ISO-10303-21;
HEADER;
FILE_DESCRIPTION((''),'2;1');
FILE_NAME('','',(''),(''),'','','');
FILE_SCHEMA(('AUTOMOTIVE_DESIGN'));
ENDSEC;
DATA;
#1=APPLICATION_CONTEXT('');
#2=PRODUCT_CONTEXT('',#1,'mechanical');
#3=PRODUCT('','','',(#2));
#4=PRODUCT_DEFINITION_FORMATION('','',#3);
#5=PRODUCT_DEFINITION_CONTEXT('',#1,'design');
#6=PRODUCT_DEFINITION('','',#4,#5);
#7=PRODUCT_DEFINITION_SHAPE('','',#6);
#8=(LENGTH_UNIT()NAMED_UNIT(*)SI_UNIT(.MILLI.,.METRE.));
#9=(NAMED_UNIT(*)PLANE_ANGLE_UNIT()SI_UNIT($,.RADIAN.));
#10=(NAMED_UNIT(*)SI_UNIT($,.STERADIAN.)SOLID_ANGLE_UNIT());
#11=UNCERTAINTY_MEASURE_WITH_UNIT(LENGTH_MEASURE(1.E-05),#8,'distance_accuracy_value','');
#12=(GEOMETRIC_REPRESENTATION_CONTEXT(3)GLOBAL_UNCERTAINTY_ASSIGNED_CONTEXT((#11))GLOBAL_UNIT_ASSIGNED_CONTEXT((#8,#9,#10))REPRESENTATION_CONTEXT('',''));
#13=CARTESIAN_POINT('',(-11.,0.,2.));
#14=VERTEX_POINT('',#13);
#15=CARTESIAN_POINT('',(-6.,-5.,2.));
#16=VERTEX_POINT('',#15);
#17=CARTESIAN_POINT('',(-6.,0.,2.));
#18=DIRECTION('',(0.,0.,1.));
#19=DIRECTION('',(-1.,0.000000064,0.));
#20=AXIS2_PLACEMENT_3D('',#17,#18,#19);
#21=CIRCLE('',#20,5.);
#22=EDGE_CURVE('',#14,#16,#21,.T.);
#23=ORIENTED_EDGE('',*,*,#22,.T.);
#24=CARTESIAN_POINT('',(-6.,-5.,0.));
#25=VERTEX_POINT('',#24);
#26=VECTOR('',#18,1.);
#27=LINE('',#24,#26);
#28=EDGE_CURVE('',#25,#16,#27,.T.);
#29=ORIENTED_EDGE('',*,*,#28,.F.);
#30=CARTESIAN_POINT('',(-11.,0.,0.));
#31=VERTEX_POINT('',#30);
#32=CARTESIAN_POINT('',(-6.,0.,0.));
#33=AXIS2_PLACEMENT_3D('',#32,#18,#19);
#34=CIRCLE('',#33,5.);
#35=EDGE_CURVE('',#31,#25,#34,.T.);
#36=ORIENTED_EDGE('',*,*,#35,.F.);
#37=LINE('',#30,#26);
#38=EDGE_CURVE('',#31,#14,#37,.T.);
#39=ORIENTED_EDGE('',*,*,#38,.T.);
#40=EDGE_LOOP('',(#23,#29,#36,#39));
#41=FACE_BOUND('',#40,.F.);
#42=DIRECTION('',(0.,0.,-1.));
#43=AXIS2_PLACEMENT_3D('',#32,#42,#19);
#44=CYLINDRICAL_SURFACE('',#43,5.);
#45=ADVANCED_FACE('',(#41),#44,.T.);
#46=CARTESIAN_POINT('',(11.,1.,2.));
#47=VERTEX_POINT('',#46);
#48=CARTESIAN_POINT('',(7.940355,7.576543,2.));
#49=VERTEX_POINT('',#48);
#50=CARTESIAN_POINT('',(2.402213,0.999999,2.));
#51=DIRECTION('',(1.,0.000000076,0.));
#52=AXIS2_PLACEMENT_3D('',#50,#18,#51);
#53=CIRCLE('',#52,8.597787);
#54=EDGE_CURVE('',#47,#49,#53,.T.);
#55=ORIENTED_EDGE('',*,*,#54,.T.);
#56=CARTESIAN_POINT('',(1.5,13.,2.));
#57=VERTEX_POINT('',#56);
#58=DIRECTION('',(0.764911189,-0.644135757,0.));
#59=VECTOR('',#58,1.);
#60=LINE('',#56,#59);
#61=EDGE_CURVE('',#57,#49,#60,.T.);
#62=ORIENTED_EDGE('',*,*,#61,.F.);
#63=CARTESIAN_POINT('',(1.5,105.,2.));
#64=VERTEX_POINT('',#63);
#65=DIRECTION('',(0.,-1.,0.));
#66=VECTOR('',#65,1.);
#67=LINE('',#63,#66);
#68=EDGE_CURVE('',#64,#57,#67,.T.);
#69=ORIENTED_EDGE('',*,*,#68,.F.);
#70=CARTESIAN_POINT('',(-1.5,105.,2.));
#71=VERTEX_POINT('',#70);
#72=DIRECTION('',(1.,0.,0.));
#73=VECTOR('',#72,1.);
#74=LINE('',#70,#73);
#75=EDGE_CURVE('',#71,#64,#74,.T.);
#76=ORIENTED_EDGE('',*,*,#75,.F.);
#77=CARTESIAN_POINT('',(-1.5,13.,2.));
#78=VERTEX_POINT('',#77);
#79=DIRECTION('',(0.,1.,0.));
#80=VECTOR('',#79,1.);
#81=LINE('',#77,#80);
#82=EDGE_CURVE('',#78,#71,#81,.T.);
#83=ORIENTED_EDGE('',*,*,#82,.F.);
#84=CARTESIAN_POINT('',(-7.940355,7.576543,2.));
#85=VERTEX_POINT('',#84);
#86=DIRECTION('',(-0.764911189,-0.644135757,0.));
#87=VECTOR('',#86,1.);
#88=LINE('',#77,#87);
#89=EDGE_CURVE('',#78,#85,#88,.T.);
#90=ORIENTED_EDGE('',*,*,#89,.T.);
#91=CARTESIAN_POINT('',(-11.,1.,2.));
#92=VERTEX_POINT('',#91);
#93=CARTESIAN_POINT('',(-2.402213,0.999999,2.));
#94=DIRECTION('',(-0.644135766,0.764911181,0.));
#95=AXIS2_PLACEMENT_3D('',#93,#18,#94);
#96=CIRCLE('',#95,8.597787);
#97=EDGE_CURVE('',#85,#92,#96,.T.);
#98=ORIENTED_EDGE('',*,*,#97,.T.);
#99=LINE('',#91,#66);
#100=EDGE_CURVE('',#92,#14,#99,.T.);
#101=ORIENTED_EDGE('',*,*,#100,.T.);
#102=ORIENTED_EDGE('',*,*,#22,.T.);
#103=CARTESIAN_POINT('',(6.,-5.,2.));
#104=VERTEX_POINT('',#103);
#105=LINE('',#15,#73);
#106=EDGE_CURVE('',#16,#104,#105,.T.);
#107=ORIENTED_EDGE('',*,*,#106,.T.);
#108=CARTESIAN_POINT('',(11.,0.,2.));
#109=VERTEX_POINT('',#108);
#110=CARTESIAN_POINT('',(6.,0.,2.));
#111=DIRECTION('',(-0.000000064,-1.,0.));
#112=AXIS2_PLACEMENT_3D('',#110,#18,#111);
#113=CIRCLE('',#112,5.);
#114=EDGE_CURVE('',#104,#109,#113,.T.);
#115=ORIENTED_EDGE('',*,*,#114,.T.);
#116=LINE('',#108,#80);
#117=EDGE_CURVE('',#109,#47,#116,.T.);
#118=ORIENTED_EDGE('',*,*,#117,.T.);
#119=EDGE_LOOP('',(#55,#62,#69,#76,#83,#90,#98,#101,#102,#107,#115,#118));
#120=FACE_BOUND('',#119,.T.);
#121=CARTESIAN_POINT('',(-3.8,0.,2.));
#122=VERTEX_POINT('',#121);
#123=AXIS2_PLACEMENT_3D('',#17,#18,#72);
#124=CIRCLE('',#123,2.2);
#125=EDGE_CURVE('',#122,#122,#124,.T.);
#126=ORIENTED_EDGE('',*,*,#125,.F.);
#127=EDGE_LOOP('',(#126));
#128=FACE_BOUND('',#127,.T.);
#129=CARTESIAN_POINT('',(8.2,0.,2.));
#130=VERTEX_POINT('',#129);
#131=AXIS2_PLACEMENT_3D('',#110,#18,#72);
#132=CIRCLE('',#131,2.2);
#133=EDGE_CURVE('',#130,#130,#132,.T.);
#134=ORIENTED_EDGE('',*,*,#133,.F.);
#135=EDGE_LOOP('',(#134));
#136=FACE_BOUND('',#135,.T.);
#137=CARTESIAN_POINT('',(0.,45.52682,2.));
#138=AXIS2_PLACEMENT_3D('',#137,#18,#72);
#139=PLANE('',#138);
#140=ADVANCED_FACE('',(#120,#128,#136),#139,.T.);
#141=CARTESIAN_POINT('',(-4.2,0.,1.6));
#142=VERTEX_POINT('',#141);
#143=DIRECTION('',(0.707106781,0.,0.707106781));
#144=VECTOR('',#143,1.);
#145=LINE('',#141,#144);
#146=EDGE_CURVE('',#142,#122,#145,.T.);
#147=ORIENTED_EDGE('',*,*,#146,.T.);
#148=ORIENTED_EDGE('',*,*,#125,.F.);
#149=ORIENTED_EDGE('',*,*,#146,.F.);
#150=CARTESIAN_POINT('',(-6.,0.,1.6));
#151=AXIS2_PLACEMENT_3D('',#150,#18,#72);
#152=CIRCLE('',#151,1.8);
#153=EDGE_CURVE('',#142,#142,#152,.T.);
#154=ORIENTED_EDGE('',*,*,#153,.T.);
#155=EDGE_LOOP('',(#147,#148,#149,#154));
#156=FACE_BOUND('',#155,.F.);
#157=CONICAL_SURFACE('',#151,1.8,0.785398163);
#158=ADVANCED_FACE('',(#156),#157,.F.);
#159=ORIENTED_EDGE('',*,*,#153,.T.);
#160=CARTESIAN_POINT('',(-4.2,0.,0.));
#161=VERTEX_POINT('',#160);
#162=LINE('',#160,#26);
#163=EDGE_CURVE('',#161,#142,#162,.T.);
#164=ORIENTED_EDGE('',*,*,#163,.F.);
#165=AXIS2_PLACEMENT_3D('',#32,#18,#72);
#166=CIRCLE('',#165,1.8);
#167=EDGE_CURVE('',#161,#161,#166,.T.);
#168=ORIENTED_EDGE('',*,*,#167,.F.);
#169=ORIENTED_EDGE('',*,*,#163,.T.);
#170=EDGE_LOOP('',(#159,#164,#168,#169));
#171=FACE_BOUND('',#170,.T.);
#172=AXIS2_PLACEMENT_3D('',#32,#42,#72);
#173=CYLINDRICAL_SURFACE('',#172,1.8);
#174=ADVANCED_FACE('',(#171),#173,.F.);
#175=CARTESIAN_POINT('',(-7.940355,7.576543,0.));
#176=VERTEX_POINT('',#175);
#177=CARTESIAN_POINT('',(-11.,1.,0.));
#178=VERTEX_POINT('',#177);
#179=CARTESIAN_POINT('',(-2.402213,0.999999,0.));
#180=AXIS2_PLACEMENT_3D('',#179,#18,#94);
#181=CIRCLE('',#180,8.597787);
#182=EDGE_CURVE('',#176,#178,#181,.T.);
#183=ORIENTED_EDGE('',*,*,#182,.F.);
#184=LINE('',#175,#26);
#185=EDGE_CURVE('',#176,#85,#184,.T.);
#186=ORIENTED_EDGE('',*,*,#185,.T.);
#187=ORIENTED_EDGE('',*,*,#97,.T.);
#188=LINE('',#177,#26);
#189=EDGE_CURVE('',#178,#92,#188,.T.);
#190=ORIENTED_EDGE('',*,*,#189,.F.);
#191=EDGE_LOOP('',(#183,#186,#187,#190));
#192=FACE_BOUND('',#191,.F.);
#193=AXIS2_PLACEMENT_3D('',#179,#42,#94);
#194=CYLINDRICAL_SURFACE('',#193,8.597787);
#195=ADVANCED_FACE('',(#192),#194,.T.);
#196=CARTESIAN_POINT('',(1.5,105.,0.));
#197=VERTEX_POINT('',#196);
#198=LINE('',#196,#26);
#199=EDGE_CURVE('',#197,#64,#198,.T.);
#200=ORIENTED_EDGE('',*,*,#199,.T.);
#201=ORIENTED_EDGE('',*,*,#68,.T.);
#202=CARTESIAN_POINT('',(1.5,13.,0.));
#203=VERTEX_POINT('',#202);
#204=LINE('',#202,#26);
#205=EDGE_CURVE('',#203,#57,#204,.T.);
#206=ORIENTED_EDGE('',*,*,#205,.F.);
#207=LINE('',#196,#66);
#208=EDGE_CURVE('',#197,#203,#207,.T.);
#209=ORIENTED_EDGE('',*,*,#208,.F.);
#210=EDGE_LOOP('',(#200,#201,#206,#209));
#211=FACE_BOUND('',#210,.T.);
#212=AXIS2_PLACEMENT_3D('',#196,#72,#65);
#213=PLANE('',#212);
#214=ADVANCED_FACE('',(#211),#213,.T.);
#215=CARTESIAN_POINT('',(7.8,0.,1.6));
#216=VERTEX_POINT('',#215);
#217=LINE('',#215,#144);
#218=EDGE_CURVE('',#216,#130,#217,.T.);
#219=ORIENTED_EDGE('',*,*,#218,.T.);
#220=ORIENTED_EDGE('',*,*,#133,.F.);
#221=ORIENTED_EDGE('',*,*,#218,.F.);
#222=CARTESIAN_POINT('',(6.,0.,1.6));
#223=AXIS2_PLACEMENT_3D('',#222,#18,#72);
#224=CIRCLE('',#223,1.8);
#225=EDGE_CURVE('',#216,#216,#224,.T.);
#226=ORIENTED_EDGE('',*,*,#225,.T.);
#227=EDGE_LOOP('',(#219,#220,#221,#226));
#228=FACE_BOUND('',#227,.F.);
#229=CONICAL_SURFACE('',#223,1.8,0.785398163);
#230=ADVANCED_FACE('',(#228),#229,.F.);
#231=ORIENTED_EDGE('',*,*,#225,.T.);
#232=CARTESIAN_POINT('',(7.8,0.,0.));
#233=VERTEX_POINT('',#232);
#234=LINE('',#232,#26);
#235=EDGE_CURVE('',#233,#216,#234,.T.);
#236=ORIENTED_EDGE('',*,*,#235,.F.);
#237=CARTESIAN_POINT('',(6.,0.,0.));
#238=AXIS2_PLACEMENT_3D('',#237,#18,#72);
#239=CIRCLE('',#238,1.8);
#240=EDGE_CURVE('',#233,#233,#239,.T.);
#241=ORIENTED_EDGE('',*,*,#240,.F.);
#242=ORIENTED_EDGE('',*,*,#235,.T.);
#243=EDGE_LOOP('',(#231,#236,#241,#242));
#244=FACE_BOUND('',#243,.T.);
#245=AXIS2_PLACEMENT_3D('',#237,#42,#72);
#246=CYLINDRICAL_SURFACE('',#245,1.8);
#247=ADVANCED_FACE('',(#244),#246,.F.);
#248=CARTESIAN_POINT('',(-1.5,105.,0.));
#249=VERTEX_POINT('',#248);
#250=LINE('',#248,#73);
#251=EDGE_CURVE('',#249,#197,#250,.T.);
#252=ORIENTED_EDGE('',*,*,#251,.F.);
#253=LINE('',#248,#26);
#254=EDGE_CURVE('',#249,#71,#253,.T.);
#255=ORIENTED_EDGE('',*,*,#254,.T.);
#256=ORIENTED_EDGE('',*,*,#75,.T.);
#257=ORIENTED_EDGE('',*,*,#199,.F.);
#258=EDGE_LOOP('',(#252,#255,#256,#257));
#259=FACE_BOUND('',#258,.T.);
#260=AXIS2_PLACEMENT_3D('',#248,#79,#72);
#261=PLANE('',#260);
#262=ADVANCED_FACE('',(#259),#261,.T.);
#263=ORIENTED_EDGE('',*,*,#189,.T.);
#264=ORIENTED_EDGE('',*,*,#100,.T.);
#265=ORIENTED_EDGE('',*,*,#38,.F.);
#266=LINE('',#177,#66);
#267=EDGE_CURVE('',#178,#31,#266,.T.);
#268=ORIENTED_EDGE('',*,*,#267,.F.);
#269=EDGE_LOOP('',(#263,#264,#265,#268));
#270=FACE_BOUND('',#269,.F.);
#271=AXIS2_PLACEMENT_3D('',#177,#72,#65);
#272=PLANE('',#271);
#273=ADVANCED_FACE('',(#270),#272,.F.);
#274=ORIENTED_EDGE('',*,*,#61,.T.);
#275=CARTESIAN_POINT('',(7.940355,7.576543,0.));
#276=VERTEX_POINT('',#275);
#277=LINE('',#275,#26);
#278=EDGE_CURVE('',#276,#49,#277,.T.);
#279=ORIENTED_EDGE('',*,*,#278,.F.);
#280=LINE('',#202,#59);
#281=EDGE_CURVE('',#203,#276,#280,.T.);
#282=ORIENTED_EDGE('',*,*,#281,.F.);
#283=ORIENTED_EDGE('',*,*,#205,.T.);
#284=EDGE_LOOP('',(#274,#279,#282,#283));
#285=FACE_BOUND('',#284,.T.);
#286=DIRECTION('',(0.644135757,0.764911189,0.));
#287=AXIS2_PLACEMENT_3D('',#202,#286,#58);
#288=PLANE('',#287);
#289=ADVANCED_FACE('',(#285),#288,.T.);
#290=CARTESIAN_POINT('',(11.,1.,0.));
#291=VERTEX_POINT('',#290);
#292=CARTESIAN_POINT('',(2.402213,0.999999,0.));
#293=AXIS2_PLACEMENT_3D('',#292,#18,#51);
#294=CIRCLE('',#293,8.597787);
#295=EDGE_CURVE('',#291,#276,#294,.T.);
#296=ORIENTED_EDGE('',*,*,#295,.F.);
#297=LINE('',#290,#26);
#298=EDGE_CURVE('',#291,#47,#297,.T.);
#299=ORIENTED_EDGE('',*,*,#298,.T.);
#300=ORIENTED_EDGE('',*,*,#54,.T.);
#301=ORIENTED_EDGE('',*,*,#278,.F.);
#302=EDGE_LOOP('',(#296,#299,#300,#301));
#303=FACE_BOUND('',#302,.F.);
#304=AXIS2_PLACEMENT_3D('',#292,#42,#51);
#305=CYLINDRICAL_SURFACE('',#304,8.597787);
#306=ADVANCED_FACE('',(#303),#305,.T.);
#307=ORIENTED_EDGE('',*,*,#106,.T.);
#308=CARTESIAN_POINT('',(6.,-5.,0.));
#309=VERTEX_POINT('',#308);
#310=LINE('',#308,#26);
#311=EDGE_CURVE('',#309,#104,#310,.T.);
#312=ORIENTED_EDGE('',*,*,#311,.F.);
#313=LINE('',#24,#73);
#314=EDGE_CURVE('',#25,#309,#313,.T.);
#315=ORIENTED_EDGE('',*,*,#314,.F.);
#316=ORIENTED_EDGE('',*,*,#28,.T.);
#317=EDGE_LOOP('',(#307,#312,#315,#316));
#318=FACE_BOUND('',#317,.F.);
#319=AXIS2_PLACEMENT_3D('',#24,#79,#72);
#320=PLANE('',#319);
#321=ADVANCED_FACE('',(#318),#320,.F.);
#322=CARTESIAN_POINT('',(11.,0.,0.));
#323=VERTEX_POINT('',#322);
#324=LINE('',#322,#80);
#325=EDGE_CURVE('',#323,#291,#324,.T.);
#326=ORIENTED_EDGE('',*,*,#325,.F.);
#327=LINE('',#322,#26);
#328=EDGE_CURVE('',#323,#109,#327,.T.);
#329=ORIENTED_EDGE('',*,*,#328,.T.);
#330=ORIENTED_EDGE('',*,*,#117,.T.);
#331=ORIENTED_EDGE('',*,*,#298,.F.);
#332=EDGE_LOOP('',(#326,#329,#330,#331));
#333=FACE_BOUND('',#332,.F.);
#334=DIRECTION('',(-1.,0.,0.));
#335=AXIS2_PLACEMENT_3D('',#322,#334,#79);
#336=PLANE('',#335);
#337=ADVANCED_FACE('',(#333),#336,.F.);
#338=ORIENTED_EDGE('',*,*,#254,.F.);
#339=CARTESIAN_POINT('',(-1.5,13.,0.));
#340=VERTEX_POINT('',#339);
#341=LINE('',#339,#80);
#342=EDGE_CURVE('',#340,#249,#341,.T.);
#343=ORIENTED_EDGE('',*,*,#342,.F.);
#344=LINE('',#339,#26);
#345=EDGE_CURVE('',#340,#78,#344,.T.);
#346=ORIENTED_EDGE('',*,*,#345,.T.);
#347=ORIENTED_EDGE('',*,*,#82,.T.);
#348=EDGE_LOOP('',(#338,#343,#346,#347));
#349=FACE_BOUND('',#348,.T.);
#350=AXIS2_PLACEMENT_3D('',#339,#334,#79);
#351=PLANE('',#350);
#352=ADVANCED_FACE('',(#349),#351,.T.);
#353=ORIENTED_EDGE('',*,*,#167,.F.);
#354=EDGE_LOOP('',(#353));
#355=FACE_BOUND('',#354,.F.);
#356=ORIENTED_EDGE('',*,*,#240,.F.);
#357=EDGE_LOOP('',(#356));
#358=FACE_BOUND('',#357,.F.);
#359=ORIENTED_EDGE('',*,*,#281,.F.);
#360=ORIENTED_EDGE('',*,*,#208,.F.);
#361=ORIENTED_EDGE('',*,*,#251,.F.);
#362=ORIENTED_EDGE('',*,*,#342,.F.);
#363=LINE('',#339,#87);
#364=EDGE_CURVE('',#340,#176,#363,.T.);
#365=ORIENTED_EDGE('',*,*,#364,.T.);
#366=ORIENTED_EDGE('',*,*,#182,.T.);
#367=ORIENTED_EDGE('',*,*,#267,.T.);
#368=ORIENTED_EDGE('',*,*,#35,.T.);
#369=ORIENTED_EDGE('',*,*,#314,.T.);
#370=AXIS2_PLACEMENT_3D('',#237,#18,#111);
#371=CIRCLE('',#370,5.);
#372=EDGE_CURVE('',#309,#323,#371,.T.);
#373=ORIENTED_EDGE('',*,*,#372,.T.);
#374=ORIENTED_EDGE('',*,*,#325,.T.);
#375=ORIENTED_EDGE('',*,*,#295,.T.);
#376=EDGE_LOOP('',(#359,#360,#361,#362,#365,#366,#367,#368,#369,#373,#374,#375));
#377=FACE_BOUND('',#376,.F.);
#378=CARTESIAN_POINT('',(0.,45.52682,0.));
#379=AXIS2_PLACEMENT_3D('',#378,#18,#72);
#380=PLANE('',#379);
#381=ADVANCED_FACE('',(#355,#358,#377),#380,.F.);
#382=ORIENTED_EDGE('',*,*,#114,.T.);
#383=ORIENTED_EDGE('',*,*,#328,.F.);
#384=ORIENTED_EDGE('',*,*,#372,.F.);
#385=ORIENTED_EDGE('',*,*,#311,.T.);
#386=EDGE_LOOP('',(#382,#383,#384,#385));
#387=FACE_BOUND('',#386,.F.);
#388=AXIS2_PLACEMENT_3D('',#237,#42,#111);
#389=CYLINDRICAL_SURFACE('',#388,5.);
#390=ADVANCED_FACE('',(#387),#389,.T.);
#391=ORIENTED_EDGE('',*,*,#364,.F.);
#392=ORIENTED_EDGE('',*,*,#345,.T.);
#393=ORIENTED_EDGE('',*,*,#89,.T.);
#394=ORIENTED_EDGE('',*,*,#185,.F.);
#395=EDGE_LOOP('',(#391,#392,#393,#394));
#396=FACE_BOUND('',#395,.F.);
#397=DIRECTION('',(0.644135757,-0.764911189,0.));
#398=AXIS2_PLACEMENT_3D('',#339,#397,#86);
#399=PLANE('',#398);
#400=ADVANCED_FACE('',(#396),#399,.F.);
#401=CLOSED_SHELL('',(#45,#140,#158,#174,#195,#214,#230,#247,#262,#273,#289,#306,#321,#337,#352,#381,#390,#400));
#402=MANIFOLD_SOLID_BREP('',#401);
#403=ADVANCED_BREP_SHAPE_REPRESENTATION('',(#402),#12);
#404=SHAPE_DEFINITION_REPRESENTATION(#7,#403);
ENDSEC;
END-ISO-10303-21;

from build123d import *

# Parameters (mm, degrees)
SKETCH_R     = 1.8
PAD_DEPTH    = 2
CHAMFER_SIZE = 0.4


with BuildPart() as part:
    # Sketch → Pad (new body)
    with BuildSketch(Plane.XY):
        with BuildLine():
            Line((11, 0), (11, 1))
            ThreePointArc((11, 1), (10.197651, 4.626718), (7.940355, 7.576543))
            Line((1.5, 13), (7.940355, 7.576543))
            Line((1.5, 105), (1.5, 13))
            Line((-1.5, 105), (1.5, 105))
            Line((-1.5, 13), (-1.5, 105))
            Line((-1.5, 13), (-7.940355, 7.576543))
            ThreePointArc((-7.940355, 7.576543), (-10.197651, 4.626718), (-11, 1))
            Line((-11, 1), (-11, 0))
            ThreePointArc((-11, 0), (-9.535534, -3.535534), (-6, -5))
            Line((-6, -5), (6, -5))
            ThreePointArc((6, -5), (9.535534, -3.535534), (11, 0))
        make_face()
        with Locations((-6, 0)):
            Circle(SKETCH_R, mode=Mode.SUBTRACT)
        with Locations((6, 0)):
            Circle(SKETCH_R, mode=Mode.SUBTRACT)
    extrude(amount=PAD_DEPTH)

    # Chamfer
    chamfer_edges = [part.edges().sort_by_distance(p)[0] for p in [
        (-7.8, 0, 2),
        (4.2, 0, 2),
    ]]
    chamfer(chamfer_edges, length=CHAMFER_SIZE)


solid = part.part
